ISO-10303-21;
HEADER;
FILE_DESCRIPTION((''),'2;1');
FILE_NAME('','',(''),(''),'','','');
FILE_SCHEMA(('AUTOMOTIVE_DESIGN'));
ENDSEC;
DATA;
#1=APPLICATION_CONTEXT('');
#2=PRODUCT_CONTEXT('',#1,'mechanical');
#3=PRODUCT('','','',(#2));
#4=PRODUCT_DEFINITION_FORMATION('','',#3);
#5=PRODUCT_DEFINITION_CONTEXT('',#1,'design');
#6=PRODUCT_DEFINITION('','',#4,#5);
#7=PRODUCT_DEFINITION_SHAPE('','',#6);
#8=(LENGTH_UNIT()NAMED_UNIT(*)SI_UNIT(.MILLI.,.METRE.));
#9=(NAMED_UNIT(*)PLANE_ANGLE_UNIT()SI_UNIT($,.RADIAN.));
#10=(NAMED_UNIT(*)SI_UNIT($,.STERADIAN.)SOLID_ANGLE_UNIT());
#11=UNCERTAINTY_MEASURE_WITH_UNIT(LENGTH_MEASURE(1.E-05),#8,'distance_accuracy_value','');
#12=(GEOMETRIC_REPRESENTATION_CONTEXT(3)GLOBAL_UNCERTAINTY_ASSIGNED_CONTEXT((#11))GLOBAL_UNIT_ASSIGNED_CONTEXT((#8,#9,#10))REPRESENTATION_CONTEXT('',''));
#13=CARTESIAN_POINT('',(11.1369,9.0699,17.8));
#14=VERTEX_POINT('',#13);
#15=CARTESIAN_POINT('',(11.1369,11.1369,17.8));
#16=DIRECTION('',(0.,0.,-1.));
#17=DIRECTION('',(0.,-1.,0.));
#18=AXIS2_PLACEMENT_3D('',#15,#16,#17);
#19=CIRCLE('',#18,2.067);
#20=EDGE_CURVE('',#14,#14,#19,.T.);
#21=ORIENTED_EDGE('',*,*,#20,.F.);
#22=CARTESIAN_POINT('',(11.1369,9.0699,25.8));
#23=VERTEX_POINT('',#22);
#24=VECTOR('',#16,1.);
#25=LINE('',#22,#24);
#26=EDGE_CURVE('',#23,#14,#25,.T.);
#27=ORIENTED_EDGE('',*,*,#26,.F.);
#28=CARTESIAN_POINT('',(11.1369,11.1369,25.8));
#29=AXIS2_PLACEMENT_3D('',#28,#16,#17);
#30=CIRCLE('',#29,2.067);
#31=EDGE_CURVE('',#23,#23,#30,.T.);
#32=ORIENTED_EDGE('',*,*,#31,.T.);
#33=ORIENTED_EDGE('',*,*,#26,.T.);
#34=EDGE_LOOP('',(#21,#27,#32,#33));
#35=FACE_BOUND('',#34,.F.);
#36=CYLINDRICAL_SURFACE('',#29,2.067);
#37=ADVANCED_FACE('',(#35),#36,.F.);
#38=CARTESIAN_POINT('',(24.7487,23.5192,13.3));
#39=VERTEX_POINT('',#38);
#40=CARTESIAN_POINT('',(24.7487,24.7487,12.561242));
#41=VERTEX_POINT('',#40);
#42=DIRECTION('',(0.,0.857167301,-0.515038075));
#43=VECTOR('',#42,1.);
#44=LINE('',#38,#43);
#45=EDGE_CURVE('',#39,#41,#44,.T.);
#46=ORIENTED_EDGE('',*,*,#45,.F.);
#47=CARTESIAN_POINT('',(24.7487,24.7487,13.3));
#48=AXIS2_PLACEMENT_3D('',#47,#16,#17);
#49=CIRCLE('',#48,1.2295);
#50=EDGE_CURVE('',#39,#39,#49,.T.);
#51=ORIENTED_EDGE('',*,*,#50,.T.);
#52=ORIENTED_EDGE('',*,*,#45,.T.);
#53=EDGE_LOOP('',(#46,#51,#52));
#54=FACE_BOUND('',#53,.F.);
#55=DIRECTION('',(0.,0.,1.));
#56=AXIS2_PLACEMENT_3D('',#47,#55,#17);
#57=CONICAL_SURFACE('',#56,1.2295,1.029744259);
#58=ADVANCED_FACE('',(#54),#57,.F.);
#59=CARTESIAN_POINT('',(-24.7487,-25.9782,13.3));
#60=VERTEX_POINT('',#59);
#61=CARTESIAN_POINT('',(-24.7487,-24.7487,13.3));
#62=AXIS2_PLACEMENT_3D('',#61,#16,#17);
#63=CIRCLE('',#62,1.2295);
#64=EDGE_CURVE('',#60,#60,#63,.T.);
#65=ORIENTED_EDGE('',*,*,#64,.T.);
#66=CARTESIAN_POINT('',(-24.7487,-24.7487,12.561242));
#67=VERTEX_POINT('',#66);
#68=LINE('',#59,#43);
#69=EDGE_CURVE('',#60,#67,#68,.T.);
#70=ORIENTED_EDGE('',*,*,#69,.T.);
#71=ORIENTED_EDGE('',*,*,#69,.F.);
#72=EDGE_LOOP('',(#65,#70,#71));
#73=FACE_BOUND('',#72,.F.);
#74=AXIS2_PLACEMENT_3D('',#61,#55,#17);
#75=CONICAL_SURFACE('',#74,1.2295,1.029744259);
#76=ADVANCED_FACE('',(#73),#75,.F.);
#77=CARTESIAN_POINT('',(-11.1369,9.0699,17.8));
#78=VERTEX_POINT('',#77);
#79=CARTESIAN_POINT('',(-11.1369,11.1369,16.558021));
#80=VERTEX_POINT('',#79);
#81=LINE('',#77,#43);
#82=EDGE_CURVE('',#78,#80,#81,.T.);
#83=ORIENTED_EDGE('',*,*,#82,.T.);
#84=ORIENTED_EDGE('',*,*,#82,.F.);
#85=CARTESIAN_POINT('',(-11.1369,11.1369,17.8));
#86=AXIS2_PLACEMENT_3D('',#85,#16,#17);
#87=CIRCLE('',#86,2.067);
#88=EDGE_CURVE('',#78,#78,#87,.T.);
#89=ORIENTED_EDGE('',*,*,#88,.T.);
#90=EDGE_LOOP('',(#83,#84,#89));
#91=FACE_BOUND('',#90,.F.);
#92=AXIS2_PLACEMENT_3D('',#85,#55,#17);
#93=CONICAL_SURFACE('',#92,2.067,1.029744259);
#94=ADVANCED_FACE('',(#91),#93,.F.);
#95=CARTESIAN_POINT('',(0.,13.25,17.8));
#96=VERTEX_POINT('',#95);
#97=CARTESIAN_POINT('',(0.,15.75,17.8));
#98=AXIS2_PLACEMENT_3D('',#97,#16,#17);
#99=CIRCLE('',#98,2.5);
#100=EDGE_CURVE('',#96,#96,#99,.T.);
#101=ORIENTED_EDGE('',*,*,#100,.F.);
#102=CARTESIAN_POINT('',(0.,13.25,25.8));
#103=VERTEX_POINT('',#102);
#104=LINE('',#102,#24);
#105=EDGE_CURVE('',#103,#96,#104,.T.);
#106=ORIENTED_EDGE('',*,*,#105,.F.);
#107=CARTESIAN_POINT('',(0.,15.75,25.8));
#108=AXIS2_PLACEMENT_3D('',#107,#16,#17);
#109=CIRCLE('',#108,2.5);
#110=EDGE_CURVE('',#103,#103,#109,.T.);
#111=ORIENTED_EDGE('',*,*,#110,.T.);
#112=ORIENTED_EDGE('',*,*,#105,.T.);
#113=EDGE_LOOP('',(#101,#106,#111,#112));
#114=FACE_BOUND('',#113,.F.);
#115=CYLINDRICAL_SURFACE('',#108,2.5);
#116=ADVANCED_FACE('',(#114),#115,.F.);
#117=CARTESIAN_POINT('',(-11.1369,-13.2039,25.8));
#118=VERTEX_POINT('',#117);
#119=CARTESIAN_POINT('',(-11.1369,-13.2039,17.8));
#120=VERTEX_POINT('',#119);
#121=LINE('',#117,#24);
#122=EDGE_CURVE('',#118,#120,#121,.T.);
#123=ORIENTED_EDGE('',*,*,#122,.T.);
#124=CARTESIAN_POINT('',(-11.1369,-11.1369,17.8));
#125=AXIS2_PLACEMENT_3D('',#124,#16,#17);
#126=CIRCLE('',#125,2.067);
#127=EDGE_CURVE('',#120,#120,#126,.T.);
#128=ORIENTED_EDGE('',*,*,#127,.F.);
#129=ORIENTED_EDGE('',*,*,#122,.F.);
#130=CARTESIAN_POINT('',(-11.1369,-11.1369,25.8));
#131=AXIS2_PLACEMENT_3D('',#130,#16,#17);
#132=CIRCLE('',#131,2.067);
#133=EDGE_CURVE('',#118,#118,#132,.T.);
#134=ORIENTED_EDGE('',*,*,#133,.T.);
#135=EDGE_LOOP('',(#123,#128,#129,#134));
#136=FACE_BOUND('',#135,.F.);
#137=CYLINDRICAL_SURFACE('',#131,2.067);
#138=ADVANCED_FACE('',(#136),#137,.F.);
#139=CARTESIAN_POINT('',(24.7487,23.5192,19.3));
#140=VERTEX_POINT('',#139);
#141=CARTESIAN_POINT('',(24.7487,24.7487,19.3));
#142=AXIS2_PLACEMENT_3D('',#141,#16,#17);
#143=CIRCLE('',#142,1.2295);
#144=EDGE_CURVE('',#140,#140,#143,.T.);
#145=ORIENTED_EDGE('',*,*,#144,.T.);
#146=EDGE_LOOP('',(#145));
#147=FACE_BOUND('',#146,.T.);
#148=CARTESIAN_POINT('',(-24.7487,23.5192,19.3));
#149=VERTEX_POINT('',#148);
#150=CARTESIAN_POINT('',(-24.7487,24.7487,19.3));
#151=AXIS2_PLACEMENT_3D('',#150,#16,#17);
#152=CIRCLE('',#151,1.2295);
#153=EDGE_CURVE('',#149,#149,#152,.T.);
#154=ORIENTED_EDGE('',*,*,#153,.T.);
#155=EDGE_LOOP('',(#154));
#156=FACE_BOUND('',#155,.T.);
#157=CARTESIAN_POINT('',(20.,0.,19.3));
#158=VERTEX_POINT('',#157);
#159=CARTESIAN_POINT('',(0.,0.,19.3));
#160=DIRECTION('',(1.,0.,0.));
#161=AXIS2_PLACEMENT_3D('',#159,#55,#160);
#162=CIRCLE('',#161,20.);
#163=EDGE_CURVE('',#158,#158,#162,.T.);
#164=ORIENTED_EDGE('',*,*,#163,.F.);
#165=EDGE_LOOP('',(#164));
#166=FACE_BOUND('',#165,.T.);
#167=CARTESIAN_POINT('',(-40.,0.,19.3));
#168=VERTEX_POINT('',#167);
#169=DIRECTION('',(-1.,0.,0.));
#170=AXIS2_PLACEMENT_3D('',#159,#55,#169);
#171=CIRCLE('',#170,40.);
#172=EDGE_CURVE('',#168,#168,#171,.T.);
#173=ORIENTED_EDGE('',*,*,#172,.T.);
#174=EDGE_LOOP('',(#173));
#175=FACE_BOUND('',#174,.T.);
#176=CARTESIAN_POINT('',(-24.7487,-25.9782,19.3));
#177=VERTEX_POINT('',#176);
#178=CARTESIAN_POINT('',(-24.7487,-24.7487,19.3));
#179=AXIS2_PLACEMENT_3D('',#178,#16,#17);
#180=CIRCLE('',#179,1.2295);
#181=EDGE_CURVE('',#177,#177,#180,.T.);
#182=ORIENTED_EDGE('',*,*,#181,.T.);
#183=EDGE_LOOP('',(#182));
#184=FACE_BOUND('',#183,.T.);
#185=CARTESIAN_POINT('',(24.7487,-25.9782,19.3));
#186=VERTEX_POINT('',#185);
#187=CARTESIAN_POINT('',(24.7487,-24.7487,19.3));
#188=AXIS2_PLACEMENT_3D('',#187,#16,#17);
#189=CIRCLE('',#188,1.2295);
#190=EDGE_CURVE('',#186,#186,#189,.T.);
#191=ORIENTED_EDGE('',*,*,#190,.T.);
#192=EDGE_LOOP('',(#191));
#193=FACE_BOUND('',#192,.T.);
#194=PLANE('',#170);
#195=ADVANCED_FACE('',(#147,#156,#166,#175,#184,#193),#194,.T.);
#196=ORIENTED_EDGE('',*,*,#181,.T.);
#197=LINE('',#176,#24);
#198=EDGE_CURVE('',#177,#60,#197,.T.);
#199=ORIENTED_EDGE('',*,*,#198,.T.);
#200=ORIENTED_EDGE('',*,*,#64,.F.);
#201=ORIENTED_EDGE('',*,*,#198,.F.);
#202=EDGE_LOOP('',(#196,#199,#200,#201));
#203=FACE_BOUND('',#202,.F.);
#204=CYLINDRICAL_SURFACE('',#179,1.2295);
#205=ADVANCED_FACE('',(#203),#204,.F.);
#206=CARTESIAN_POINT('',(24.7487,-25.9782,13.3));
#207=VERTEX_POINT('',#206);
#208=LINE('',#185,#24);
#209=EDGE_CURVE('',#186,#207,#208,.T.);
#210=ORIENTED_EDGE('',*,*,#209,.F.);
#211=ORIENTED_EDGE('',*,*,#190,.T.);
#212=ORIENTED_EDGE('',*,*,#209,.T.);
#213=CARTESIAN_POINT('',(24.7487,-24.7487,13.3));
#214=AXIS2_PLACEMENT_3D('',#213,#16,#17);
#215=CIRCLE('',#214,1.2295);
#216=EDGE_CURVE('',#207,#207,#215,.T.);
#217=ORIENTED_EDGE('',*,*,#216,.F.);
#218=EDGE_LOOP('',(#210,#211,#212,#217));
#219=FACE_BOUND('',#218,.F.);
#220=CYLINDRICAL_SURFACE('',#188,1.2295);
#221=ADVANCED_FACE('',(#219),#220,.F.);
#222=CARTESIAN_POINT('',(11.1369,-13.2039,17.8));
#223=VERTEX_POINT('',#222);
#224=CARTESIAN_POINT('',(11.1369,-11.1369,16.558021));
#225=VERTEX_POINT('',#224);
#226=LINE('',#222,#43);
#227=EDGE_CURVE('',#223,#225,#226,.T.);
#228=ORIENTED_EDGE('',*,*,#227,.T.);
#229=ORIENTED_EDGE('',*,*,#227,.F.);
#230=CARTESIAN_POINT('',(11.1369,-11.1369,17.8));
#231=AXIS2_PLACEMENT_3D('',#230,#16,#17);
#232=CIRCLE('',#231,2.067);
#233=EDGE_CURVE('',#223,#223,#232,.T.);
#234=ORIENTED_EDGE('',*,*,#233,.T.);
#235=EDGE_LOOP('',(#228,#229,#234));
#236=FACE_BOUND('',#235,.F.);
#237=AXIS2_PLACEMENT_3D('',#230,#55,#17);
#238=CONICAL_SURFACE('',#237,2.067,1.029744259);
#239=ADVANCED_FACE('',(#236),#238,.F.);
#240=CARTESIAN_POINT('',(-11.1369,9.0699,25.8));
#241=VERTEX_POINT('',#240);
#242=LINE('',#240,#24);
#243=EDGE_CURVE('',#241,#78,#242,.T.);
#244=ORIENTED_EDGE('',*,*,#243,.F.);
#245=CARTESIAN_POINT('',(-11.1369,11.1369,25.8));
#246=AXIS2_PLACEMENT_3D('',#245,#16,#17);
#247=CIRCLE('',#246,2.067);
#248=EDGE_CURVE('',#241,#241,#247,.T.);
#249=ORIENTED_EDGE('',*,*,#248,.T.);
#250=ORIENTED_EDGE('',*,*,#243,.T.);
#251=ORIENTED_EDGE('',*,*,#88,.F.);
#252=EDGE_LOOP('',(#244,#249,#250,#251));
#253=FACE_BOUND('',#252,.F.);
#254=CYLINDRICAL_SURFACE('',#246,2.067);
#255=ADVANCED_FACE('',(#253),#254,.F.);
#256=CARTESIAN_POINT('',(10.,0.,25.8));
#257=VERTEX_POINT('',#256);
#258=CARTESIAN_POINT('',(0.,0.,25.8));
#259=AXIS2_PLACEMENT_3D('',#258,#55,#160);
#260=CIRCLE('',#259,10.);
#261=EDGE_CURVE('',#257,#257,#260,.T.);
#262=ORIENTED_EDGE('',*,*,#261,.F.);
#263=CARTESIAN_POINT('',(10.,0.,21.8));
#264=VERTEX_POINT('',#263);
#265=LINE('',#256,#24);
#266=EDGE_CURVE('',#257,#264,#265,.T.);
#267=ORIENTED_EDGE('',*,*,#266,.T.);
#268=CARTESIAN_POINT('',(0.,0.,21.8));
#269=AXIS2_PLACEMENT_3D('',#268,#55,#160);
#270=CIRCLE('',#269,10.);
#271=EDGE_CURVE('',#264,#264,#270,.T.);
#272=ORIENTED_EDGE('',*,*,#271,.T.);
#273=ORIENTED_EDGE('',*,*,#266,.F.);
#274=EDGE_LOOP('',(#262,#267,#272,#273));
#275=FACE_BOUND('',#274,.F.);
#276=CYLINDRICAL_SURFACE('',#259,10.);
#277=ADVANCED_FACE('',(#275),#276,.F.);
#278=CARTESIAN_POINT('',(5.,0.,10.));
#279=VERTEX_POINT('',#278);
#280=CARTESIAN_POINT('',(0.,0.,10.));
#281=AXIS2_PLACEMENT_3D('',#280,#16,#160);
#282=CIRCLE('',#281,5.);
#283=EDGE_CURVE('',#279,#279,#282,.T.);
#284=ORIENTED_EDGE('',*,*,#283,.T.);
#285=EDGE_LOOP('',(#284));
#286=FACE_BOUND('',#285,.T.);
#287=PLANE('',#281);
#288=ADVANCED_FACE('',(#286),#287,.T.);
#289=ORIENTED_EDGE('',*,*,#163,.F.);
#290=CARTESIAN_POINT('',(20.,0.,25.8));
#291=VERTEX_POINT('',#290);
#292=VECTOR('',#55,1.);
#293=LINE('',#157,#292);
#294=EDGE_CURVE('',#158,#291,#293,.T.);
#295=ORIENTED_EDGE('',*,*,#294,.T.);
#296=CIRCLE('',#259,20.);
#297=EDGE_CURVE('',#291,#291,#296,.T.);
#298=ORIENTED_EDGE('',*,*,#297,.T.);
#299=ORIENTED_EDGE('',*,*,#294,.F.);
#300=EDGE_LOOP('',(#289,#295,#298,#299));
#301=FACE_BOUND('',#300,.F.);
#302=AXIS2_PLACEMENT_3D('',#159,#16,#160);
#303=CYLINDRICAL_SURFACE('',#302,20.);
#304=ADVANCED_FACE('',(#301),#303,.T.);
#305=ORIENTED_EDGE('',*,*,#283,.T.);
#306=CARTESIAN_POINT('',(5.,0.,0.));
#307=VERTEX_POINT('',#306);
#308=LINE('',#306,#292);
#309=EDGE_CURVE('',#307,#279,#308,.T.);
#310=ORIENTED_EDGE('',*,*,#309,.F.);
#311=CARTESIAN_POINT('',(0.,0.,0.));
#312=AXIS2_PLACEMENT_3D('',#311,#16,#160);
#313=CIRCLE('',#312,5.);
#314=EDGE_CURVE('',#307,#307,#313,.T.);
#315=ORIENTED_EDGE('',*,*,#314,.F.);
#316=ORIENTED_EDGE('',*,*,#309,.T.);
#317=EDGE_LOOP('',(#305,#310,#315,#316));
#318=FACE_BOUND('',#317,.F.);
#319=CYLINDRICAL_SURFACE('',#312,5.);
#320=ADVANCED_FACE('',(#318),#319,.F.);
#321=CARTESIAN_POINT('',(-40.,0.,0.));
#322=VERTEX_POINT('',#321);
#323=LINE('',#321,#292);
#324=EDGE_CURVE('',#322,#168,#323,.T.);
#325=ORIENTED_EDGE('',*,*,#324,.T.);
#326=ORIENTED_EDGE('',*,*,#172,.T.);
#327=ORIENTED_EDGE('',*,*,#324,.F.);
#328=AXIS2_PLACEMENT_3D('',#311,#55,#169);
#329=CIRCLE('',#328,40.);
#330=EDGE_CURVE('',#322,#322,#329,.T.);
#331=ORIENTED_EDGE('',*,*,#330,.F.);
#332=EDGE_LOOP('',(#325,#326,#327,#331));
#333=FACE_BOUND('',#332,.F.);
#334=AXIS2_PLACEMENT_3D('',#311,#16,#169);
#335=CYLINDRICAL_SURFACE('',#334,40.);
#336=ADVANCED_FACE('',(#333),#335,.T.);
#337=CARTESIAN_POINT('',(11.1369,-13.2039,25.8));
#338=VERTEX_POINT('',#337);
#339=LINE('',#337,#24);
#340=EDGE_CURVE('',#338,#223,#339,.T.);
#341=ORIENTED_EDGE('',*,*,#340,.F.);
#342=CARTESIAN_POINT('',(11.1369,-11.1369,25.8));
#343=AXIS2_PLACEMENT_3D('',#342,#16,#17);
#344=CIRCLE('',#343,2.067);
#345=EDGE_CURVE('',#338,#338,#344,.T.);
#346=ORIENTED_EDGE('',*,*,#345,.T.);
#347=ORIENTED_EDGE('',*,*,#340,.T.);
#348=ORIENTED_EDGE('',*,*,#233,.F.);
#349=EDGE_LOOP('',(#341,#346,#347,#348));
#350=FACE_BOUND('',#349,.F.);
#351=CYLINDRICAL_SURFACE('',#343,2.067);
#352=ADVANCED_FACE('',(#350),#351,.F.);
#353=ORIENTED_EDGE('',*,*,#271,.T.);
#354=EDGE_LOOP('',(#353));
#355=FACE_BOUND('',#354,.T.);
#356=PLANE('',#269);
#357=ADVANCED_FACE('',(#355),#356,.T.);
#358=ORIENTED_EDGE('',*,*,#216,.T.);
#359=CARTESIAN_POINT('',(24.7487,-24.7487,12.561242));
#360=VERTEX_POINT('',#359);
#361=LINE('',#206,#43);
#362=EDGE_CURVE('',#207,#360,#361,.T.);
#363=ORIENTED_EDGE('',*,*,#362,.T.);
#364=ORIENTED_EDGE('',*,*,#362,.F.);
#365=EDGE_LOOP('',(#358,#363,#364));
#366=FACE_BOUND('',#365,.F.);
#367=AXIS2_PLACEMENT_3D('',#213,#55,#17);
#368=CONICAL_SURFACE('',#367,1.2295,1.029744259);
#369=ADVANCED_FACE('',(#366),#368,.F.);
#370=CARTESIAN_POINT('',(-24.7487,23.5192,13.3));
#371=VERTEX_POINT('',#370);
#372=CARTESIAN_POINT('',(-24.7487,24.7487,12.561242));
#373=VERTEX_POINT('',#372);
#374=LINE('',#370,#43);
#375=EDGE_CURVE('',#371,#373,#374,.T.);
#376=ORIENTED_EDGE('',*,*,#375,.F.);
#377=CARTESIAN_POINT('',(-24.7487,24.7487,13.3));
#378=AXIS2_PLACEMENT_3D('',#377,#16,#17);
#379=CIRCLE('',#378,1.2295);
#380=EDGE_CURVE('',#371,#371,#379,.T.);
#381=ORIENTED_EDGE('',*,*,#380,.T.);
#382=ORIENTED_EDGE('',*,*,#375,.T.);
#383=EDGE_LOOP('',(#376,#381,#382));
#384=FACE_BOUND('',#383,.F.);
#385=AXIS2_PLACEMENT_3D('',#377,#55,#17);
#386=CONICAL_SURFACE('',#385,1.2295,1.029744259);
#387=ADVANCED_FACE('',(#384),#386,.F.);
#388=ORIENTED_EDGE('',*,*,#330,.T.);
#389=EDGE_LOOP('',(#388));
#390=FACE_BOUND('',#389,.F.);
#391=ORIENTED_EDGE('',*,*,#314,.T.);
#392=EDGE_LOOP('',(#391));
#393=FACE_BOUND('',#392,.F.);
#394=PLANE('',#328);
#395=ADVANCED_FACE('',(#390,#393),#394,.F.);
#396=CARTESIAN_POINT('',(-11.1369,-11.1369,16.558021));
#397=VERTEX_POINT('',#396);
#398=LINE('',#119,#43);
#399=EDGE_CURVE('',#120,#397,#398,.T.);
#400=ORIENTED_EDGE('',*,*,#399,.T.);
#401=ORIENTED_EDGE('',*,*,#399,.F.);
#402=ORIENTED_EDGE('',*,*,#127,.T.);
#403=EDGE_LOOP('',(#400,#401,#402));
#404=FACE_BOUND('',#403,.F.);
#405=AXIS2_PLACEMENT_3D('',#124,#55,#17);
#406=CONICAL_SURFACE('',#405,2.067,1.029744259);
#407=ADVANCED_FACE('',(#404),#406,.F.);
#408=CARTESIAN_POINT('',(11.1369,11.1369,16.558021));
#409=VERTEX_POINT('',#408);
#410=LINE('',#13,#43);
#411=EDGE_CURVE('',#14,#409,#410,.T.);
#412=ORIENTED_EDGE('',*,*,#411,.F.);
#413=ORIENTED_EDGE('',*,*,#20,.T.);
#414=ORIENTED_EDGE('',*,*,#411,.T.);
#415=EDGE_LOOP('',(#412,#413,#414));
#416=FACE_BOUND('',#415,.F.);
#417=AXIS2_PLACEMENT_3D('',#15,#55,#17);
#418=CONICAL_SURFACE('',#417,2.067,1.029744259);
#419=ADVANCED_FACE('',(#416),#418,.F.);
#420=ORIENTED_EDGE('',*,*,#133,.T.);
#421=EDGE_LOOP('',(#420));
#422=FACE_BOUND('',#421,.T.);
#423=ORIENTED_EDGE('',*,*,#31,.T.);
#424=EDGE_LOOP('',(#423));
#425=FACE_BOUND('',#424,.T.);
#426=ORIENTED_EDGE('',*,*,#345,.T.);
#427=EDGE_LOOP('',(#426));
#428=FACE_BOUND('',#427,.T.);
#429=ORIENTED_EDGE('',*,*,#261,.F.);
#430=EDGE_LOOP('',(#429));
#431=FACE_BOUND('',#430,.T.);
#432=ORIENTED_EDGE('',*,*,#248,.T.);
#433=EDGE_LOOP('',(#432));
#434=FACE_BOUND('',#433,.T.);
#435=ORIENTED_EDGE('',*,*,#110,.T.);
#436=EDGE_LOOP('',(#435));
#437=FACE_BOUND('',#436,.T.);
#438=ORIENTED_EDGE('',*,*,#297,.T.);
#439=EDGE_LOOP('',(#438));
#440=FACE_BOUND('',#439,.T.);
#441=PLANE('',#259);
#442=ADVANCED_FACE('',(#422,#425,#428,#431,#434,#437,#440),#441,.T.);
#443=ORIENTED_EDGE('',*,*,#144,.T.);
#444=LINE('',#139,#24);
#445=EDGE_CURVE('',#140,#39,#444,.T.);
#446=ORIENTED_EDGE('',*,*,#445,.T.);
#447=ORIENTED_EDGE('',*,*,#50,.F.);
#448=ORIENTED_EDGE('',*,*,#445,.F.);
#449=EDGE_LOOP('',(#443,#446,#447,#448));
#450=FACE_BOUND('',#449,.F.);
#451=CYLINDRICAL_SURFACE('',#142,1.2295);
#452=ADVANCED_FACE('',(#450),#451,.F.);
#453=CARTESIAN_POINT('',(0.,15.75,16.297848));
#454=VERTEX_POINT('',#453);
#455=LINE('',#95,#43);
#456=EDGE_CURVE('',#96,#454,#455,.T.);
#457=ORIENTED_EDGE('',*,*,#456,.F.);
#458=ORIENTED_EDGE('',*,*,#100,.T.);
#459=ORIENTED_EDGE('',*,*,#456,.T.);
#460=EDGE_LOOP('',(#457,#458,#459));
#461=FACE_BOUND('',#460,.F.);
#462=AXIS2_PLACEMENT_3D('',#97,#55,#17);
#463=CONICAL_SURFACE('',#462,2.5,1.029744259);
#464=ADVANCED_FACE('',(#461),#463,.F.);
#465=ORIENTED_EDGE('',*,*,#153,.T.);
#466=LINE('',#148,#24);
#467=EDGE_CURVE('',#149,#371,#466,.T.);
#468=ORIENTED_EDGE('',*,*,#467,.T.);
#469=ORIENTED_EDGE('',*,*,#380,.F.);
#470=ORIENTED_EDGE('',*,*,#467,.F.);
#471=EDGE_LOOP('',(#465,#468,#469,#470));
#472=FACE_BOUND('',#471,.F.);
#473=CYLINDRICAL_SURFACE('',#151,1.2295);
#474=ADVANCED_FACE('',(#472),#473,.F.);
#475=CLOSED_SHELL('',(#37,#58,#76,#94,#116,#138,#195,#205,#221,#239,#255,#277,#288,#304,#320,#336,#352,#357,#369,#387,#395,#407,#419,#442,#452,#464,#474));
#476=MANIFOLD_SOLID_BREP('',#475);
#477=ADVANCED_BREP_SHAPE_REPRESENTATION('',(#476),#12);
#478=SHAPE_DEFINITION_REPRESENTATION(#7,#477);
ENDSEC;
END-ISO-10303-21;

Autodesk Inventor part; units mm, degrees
ref_plane "YZ Plane" through (0, 0, 0) normal (1, 0, 0) x (0, 1, 0)
ref_plane "XZ Plane" through (0, 0, 0) normal (0, 1, 0) x (-1, 0, 0)
ref_plane "XY Plane" through (0, 0, 0) normal (0, 0, 1) x (1, 0, 0)
sketch "スケッチ1" plane through (0, 0, 0) normal (0, 1, 0) x (-1, 0, 0)
  circle A0 centre (0, 0) radius 40
  dimension "d0" = 80
extrude "押し出し1" add sketch "スケッチ1" along normal blind 19.3
sketch "スケッチ3" plane through (0, 19.3, 0) normal (0, 1, 0) x (1, 0, 0)
  circle A0 centre (0, 0) radius 20
  dimension "d3" = 40
extrude "押し出し2" add sketch "スケッチ3" along normal blind 6.5
sketch "スケッチ4" plane through (0, 25.8, 0) normal (0, 1, 0) x (1, 0, 0)
  circle A0 centre (0, 0) radius 10
  dimension "d6" = 20
extrude "押し出し3" cut sketch "スケッチ4" against normal blind 4
sketch "スケッチ5" plane through (0, 19.3, 0) normal (0, 1, 0) x (1, 0, 0)
  point P0 (0, 0)
  point P1 (0, 0)
  point P2 (-24.7487, -24.7487)
  point P3 (24.7487, -24.7487)
  point P4 (24.7487, 24.7487)
  point P5 (-24.7487, 24.7487)
  dimension "d9" = 35
  dimension "d12" = 360
hole "穴1" at (-24.7487, 19.3, -24.7487) at (-24.7487, 19.3, 24.7487) at (24.7487, 19.3, 24.7487) at (24.7487, 19.3, -24.7487) direction (0, -1, 0) diameter 2.459 depth 6 tip angle 118 thread size "M3x0.5" class "6H" standard "ANSI Metric M Profile"
sketch "スケッチ6" plane through (0, 25.8, 0) normal (0, 1, 0) x (1, 0, 0)
  point P0 (0, 0)
  point P1 (-11.1369, -11.1369)
  point P2 (11.1369, -11.1369)
  point P3 (11.1369, 11.1369)
  point P4 (-11.1369, 11.1369)
  dimension "d21" = 15.75
  dimension "d24" = 360
hole "穴2" at (-11.1369, 25.8, 11.1369) at (11.1369, 25.8, 11.1369) at (11.1369, 25.8, -11.1369) at (-11.1369, 25.8, -11.1369) direction (0, -1, 0) diameter 4.134 depth 8 tip angle 118 thread size "M5x0.8" class "6H" standard "ANSI Metric M Profile"
sketch "スケッチ7" plane through (0, 25.8, 0) normal (0, 1, 0) x (1, 0, 0)
  point P0 (0, 0)
  point P1 (0, 15.75)
  dimension "d33" = 15.75
hole "穴3" at (0, 25.8, -15.75) direction (0, -1, 0) diameter 5 depth 8 tip angle 118
sketch "スケッチ8" plane through (0, 0, 0) normal (0, -1, 0) x (1, 0, 0)
  circle A0 centre (0, 0) radius 5
  dimension "d41" = 10
extrude "押し出し4" cut sketch "スケッチ8" against normal blind 10
move or copy body "ボディを移動2" bodies to move or copy 1 copy no rotation origin (0, 0, 0) rotation axis (1, 0, 0) rotation angle 90
properties part number "HandMountingFlange" material "PAEK 樹脂"
